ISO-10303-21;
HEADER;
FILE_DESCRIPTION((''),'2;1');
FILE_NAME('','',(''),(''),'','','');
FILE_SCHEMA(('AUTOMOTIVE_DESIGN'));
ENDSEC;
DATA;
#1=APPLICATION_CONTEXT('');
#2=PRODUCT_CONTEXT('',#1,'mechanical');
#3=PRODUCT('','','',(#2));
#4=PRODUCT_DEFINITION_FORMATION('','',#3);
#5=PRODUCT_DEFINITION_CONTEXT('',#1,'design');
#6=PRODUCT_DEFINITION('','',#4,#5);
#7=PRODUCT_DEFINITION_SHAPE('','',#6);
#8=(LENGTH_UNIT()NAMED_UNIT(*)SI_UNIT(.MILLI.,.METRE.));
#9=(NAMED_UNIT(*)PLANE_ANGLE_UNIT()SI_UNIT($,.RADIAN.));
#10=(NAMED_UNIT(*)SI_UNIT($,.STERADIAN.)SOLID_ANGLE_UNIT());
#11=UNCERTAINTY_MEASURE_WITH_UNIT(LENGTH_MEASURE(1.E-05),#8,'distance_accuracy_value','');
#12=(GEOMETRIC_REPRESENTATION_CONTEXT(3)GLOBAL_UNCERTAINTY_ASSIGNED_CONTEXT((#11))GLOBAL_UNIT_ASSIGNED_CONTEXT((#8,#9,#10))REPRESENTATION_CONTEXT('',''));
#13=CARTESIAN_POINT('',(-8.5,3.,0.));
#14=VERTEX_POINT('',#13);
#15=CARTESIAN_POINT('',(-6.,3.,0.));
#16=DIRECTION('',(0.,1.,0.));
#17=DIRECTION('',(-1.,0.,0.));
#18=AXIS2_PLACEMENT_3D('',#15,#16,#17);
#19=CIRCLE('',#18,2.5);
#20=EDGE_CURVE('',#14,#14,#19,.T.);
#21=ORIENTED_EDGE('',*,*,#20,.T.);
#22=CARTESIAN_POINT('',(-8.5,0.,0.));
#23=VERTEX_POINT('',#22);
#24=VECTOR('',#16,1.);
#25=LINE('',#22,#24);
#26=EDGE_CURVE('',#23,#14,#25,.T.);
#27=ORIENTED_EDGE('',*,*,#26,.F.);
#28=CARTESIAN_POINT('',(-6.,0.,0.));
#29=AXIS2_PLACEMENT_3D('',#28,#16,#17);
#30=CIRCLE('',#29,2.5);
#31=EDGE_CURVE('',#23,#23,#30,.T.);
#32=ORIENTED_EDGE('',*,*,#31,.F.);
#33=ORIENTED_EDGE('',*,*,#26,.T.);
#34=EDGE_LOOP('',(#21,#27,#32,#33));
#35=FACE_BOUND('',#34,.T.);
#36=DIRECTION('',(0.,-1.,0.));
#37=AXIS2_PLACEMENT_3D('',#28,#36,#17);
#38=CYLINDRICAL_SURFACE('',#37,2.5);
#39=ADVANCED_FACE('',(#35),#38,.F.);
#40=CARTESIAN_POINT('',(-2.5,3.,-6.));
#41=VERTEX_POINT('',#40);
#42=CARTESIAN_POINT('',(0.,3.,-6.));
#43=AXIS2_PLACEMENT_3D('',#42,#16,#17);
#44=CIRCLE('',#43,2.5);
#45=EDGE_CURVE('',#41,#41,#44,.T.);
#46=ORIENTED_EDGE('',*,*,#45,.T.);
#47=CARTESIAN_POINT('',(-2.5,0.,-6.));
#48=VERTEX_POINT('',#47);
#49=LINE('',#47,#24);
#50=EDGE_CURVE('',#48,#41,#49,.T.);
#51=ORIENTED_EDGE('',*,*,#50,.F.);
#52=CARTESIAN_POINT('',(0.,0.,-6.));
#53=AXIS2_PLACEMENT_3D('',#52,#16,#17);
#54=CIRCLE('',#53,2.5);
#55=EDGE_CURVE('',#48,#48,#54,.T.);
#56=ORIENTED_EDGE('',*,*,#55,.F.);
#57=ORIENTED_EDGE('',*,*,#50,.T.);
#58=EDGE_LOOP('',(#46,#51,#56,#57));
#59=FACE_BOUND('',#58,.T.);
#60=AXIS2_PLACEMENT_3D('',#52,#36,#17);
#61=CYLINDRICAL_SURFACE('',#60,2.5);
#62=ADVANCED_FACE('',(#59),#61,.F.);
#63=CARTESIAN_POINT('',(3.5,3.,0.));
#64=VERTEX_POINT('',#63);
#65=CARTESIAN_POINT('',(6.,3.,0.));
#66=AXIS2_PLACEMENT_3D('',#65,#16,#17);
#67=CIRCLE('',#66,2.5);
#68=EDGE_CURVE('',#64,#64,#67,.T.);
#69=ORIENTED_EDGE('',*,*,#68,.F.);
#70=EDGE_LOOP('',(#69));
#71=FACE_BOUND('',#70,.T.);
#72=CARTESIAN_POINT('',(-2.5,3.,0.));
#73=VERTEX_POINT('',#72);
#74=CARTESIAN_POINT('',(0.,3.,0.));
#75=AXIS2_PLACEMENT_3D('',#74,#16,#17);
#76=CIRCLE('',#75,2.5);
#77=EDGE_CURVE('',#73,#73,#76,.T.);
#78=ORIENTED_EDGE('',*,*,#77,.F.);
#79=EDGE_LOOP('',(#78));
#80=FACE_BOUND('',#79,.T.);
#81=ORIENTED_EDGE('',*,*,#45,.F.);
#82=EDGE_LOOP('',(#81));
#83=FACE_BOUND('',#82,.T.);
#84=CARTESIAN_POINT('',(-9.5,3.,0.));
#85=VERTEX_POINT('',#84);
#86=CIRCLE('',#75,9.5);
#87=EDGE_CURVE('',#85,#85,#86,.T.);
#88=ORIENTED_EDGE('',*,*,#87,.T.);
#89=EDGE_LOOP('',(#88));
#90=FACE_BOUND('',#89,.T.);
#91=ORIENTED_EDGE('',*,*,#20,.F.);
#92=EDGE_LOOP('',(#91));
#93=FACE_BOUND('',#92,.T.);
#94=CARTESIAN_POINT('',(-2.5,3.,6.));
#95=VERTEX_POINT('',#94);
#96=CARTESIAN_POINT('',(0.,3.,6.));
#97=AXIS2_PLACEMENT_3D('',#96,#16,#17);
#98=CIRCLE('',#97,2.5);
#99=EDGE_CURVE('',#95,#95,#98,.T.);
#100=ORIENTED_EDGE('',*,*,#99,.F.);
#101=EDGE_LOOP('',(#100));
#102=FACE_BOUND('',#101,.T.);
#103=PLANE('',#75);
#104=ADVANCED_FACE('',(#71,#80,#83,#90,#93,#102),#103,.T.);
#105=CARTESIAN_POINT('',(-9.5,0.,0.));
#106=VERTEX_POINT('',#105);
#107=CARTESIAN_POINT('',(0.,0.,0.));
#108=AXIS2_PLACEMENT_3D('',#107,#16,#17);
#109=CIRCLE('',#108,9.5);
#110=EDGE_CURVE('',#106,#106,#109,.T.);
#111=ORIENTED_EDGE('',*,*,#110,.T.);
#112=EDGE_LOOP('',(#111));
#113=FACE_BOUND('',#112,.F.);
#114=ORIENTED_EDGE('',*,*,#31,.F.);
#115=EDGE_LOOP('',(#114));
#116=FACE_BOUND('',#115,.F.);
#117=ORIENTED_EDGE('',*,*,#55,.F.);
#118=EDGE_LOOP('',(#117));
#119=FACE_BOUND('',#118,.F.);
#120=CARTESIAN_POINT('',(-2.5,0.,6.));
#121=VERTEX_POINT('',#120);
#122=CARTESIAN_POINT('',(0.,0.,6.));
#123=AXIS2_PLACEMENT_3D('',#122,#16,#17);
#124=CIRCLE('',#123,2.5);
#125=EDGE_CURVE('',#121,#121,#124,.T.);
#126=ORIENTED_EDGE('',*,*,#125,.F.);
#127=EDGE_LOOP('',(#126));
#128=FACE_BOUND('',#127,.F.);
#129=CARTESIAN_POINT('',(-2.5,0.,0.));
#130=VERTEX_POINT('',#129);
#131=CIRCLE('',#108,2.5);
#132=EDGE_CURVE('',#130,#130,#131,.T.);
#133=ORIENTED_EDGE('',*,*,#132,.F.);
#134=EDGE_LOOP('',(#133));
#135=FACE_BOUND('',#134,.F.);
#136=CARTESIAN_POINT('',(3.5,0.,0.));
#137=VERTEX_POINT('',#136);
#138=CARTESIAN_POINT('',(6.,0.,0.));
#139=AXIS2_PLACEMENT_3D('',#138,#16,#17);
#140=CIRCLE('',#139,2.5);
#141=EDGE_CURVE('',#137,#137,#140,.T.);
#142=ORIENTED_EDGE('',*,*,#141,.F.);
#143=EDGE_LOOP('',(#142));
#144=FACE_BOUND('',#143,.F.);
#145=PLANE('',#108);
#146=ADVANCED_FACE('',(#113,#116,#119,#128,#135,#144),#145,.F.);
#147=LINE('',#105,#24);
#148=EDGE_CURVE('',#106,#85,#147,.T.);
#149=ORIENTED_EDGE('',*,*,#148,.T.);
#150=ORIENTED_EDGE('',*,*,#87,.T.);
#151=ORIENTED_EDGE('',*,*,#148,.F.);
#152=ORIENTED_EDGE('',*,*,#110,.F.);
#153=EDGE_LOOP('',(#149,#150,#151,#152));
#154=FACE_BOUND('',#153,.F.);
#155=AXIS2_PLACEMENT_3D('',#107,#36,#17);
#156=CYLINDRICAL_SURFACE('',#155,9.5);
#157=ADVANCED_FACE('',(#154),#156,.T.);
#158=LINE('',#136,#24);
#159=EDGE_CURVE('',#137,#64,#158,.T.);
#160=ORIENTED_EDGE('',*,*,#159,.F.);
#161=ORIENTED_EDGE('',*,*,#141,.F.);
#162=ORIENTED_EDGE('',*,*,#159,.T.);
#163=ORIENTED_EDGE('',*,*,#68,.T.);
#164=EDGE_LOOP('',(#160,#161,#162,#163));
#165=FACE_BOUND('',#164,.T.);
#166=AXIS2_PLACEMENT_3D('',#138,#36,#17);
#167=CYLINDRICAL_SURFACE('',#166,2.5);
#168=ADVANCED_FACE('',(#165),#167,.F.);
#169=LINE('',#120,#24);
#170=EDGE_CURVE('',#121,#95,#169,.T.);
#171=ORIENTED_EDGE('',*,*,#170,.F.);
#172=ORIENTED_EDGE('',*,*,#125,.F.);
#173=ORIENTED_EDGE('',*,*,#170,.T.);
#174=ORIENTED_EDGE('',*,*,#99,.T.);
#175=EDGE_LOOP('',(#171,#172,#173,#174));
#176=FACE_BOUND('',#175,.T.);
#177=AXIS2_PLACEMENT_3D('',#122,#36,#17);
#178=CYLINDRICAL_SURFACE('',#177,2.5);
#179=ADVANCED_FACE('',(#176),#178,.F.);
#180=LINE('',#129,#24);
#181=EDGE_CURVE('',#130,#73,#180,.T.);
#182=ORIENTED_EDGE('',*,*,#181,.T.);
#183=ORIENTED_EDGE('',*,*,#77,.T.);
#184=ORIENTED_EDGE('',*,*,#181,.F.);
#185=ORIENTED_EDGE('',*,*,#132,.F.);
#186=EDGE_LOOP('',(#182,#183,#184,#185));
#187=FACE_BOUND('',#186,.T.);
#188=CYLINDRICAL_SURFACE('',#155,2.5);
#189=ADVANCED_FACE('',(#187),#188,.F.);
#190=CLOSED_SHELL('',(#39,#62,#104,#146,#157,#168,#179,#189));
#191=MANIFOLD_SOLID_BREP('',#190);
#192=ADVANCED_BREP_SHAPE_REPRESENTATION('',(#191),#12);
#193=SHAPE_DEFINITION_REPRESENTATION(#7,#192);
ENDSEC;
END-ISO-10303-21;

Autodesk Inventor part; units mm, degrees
ref_plane "YZ Plane" through (0, 0, 0) normal (1, 0, 0) x (0, 1, 0)
ref_plane "XZ Plane" through (0, 0, 0) normal (0, 1, 0) x (-1, 0, 0)
ref_plane "XY Plane" through (0, 0, 0) normal (0, 0, 1) x (1, 0, 0)
sketch "Esquisse1" plane through (0, 0, 0) normal (0, 1, 0) x (-1, 0, 0)
  circle A0 centre (0, 0) radius 9.5
  circle A1 centre (0, 0) radius 2.5
  line L0 (0, 9.5) -> (0, -9.5) construction
  line L1 (-9.5, 0) -> (9.5, 0) construction
  circle A2 centre (0, -6) radius 2.5
  circle A3 centre (0, 6) radius 2.5
  circle A4 centre (0, 0) radius 2.5
  circle A5 centre (6, 0) radius 2.5
  circle A6 centre (-6, 0) radius 2.5
  circle A7 centre (0, 0) radius 2.5
  dimension "d0" = 19
  dimension "d1" = 5
  dimension "d4" = 6
  dimension "d7" = 6
  dimension "d12" = 6
  dimension "d15" = 6
extrude "Extrusion1" add sketch "Esquisse1" along normal blind 3
properties part number "CounterArm"
